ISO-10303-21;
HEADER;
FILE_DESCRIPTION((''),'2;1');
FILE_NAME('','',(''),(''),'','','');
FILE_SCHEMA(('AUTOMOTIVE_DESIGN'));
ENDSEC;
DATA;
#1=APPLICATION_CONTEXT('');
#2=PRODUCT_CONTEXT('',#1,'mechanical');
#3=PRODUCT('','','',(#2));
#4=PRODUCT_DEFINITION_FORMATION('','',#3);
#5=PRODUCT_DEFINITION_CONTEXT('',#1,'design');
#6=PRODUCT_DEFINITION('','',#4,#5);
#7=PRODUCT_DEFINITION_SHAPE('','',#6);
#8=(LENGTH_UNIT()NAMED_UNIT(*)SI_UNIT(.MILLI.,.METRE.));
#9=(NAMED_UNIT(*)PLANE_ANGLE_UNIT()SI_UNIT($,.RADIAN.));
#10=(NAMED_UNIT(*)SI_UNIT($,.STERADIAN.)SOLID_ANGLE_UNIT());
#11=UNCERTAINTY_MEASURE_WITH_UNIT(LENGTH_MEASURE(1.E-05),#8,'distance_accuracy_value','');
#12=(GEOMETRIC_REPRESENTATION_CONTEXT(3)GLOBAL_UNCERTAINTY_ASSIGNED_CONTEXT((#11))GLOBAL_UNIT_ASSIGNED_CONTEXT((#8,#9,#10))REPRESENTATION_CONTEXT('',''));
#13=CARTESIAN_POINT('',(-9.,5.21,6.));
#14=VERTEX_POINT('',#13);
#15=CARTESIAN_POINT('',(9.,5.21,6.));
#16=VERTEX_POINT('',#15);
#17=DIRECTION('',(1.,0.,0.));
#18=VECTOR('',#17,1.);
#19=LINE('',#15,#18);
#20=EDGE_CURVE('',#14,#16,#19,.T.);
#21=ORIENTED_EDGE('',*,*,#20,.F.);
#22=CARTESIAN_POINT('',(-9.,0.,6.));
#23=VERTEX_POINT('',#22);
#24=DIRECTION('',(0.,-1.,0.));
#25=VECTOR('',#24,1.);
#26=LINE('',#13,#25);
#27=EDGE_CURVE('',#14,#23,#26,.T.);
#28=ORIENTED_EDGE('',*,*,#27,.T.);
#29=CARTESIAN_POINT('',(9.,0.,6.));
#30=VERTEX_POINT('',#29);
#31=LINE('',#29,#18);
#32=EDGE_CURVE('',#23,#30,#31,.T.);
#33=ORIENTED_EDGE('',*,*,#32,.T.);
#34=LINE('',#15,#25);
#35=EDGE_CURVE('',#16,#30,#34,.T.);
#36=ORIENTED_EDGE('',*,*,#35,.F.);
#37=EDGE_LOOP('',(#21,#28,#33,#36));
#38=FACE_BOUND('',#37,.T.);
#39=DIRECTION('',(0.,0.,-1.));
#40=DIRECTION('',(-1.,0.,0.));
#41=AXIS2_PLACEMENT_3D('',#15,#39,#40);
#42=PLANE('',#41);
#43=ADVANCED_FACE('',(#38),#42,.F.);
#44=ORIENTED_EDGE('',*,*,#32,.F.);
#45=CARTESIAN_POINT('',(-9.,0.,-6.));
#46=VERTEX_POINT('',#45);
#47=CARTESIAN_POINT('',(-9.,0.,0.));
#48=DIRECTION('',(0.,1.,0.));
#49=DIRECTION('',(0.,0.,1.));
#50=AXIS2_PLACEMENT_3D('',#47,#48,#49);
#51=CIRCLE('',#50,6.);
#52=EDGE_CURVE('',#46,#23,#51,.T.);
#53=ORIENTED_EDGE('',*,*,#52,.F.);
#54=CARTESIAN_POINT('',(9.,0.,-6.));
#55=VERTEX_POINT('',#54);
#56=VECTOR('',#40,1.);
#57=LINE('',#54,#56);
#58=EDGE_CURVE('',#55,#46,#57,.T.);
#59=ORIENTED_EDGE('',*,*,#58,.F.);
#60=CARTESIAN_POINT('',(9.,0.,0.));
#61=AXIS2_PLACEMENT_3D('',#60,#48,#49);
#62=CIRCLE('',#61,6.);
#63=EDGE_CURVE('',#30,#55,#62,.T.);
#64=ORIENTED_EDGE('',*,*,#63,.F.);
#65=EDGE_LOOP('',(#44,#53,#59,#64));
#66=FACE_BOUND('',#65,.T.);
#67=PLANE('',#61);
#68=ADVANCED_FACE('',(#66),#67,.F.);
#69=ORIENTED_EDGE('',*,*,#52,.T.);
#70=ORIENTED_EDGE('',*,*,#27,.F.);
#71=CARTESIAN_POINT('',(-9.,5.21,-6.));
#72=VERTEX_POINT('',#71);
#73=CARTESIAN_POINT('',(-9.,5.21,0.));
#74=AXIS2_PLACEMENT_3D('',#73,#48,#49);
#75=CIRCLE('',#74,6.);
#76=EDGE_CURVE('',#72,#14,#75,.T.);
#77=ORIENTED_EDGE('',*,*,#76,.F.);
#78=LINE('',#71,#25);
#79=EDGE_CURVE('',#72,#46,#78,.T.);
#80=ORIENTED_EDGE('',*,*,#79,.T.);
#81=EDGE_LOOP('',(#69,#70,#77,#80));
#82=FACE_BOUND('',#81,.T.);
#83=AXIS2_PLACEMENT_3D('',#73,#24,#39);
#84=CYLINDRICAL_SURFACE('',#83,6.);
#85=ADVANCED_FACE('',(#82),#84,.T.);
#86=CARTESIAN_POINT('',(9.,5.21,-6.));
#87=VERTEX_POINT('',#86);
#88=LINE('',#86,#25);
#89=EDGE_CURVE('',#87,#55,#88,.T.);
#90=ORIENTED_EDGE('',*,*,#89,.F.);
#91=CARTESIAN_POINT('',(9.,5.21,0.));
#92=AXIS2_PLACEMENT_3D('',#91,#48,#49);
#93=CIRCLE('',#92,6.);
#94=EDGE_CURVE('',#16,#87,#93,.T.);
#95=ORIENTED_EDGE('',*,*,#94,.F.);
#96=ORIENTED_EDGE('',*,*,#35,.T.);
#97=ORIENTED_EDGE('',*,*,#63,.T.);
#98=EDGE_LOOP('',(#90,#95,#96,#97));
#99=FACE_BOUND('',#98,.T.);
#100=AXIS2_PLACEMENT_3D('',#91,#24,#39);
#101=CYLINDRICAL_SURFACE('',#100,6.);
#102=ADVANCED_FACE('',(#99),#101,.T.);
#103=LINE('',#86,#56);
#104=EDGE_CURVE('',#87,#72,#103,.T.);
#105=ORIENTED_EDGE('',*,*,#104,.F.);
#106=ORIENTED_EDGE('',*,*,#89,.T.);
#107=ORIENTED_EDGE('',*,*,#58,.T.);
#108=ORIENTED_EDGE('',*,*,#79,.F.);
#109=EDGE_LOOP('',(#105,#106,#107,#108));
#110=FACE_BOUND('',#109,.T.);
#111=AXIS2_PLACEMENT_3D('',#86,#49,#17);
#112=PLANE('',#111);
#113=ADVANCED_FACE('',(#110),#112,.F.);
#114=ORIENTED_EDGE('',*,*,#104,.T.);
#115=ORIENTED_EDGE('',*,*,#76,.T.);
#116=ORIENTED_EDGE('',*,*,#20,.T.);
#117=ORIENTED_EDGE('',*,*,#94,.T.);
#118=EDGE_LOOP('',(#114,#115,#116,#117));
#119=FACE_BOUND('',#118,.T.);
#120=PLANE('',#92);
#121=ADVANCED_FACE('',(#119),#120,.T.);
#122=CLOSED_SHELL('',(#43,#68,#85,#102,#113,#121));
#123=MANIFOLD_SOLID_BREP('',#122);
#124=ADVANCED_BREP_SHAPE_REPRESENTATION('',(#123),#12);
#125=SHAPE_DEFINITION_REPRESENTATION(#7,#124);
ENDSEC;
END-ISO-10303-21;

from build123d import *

# Parameters (mm, degrees)
BOSS_EXTRUDE1_DEPTH = 5.21


with BuildPart() as part:
    # Sketch1 → Boss-Extrude1 (new body)
    with BuildSketch(Plane(origin=(0, 0, 0), x_dir=(1, 0, 0), z_dir=(0, 1, 0))):
        with BuildLine():
            Line((9, -6), (-9, -6))
            ThreePointArc((-9, -6), (-15, 0), (-9, 6))
            Line((-9, 6), (9, 6))
            ThreePointArc((9, 6), (15, 0), (9, -6))
        make_face()
    extrude(amount=BOSS_EXTRUDE1_DEPTH)


solid = part.part
